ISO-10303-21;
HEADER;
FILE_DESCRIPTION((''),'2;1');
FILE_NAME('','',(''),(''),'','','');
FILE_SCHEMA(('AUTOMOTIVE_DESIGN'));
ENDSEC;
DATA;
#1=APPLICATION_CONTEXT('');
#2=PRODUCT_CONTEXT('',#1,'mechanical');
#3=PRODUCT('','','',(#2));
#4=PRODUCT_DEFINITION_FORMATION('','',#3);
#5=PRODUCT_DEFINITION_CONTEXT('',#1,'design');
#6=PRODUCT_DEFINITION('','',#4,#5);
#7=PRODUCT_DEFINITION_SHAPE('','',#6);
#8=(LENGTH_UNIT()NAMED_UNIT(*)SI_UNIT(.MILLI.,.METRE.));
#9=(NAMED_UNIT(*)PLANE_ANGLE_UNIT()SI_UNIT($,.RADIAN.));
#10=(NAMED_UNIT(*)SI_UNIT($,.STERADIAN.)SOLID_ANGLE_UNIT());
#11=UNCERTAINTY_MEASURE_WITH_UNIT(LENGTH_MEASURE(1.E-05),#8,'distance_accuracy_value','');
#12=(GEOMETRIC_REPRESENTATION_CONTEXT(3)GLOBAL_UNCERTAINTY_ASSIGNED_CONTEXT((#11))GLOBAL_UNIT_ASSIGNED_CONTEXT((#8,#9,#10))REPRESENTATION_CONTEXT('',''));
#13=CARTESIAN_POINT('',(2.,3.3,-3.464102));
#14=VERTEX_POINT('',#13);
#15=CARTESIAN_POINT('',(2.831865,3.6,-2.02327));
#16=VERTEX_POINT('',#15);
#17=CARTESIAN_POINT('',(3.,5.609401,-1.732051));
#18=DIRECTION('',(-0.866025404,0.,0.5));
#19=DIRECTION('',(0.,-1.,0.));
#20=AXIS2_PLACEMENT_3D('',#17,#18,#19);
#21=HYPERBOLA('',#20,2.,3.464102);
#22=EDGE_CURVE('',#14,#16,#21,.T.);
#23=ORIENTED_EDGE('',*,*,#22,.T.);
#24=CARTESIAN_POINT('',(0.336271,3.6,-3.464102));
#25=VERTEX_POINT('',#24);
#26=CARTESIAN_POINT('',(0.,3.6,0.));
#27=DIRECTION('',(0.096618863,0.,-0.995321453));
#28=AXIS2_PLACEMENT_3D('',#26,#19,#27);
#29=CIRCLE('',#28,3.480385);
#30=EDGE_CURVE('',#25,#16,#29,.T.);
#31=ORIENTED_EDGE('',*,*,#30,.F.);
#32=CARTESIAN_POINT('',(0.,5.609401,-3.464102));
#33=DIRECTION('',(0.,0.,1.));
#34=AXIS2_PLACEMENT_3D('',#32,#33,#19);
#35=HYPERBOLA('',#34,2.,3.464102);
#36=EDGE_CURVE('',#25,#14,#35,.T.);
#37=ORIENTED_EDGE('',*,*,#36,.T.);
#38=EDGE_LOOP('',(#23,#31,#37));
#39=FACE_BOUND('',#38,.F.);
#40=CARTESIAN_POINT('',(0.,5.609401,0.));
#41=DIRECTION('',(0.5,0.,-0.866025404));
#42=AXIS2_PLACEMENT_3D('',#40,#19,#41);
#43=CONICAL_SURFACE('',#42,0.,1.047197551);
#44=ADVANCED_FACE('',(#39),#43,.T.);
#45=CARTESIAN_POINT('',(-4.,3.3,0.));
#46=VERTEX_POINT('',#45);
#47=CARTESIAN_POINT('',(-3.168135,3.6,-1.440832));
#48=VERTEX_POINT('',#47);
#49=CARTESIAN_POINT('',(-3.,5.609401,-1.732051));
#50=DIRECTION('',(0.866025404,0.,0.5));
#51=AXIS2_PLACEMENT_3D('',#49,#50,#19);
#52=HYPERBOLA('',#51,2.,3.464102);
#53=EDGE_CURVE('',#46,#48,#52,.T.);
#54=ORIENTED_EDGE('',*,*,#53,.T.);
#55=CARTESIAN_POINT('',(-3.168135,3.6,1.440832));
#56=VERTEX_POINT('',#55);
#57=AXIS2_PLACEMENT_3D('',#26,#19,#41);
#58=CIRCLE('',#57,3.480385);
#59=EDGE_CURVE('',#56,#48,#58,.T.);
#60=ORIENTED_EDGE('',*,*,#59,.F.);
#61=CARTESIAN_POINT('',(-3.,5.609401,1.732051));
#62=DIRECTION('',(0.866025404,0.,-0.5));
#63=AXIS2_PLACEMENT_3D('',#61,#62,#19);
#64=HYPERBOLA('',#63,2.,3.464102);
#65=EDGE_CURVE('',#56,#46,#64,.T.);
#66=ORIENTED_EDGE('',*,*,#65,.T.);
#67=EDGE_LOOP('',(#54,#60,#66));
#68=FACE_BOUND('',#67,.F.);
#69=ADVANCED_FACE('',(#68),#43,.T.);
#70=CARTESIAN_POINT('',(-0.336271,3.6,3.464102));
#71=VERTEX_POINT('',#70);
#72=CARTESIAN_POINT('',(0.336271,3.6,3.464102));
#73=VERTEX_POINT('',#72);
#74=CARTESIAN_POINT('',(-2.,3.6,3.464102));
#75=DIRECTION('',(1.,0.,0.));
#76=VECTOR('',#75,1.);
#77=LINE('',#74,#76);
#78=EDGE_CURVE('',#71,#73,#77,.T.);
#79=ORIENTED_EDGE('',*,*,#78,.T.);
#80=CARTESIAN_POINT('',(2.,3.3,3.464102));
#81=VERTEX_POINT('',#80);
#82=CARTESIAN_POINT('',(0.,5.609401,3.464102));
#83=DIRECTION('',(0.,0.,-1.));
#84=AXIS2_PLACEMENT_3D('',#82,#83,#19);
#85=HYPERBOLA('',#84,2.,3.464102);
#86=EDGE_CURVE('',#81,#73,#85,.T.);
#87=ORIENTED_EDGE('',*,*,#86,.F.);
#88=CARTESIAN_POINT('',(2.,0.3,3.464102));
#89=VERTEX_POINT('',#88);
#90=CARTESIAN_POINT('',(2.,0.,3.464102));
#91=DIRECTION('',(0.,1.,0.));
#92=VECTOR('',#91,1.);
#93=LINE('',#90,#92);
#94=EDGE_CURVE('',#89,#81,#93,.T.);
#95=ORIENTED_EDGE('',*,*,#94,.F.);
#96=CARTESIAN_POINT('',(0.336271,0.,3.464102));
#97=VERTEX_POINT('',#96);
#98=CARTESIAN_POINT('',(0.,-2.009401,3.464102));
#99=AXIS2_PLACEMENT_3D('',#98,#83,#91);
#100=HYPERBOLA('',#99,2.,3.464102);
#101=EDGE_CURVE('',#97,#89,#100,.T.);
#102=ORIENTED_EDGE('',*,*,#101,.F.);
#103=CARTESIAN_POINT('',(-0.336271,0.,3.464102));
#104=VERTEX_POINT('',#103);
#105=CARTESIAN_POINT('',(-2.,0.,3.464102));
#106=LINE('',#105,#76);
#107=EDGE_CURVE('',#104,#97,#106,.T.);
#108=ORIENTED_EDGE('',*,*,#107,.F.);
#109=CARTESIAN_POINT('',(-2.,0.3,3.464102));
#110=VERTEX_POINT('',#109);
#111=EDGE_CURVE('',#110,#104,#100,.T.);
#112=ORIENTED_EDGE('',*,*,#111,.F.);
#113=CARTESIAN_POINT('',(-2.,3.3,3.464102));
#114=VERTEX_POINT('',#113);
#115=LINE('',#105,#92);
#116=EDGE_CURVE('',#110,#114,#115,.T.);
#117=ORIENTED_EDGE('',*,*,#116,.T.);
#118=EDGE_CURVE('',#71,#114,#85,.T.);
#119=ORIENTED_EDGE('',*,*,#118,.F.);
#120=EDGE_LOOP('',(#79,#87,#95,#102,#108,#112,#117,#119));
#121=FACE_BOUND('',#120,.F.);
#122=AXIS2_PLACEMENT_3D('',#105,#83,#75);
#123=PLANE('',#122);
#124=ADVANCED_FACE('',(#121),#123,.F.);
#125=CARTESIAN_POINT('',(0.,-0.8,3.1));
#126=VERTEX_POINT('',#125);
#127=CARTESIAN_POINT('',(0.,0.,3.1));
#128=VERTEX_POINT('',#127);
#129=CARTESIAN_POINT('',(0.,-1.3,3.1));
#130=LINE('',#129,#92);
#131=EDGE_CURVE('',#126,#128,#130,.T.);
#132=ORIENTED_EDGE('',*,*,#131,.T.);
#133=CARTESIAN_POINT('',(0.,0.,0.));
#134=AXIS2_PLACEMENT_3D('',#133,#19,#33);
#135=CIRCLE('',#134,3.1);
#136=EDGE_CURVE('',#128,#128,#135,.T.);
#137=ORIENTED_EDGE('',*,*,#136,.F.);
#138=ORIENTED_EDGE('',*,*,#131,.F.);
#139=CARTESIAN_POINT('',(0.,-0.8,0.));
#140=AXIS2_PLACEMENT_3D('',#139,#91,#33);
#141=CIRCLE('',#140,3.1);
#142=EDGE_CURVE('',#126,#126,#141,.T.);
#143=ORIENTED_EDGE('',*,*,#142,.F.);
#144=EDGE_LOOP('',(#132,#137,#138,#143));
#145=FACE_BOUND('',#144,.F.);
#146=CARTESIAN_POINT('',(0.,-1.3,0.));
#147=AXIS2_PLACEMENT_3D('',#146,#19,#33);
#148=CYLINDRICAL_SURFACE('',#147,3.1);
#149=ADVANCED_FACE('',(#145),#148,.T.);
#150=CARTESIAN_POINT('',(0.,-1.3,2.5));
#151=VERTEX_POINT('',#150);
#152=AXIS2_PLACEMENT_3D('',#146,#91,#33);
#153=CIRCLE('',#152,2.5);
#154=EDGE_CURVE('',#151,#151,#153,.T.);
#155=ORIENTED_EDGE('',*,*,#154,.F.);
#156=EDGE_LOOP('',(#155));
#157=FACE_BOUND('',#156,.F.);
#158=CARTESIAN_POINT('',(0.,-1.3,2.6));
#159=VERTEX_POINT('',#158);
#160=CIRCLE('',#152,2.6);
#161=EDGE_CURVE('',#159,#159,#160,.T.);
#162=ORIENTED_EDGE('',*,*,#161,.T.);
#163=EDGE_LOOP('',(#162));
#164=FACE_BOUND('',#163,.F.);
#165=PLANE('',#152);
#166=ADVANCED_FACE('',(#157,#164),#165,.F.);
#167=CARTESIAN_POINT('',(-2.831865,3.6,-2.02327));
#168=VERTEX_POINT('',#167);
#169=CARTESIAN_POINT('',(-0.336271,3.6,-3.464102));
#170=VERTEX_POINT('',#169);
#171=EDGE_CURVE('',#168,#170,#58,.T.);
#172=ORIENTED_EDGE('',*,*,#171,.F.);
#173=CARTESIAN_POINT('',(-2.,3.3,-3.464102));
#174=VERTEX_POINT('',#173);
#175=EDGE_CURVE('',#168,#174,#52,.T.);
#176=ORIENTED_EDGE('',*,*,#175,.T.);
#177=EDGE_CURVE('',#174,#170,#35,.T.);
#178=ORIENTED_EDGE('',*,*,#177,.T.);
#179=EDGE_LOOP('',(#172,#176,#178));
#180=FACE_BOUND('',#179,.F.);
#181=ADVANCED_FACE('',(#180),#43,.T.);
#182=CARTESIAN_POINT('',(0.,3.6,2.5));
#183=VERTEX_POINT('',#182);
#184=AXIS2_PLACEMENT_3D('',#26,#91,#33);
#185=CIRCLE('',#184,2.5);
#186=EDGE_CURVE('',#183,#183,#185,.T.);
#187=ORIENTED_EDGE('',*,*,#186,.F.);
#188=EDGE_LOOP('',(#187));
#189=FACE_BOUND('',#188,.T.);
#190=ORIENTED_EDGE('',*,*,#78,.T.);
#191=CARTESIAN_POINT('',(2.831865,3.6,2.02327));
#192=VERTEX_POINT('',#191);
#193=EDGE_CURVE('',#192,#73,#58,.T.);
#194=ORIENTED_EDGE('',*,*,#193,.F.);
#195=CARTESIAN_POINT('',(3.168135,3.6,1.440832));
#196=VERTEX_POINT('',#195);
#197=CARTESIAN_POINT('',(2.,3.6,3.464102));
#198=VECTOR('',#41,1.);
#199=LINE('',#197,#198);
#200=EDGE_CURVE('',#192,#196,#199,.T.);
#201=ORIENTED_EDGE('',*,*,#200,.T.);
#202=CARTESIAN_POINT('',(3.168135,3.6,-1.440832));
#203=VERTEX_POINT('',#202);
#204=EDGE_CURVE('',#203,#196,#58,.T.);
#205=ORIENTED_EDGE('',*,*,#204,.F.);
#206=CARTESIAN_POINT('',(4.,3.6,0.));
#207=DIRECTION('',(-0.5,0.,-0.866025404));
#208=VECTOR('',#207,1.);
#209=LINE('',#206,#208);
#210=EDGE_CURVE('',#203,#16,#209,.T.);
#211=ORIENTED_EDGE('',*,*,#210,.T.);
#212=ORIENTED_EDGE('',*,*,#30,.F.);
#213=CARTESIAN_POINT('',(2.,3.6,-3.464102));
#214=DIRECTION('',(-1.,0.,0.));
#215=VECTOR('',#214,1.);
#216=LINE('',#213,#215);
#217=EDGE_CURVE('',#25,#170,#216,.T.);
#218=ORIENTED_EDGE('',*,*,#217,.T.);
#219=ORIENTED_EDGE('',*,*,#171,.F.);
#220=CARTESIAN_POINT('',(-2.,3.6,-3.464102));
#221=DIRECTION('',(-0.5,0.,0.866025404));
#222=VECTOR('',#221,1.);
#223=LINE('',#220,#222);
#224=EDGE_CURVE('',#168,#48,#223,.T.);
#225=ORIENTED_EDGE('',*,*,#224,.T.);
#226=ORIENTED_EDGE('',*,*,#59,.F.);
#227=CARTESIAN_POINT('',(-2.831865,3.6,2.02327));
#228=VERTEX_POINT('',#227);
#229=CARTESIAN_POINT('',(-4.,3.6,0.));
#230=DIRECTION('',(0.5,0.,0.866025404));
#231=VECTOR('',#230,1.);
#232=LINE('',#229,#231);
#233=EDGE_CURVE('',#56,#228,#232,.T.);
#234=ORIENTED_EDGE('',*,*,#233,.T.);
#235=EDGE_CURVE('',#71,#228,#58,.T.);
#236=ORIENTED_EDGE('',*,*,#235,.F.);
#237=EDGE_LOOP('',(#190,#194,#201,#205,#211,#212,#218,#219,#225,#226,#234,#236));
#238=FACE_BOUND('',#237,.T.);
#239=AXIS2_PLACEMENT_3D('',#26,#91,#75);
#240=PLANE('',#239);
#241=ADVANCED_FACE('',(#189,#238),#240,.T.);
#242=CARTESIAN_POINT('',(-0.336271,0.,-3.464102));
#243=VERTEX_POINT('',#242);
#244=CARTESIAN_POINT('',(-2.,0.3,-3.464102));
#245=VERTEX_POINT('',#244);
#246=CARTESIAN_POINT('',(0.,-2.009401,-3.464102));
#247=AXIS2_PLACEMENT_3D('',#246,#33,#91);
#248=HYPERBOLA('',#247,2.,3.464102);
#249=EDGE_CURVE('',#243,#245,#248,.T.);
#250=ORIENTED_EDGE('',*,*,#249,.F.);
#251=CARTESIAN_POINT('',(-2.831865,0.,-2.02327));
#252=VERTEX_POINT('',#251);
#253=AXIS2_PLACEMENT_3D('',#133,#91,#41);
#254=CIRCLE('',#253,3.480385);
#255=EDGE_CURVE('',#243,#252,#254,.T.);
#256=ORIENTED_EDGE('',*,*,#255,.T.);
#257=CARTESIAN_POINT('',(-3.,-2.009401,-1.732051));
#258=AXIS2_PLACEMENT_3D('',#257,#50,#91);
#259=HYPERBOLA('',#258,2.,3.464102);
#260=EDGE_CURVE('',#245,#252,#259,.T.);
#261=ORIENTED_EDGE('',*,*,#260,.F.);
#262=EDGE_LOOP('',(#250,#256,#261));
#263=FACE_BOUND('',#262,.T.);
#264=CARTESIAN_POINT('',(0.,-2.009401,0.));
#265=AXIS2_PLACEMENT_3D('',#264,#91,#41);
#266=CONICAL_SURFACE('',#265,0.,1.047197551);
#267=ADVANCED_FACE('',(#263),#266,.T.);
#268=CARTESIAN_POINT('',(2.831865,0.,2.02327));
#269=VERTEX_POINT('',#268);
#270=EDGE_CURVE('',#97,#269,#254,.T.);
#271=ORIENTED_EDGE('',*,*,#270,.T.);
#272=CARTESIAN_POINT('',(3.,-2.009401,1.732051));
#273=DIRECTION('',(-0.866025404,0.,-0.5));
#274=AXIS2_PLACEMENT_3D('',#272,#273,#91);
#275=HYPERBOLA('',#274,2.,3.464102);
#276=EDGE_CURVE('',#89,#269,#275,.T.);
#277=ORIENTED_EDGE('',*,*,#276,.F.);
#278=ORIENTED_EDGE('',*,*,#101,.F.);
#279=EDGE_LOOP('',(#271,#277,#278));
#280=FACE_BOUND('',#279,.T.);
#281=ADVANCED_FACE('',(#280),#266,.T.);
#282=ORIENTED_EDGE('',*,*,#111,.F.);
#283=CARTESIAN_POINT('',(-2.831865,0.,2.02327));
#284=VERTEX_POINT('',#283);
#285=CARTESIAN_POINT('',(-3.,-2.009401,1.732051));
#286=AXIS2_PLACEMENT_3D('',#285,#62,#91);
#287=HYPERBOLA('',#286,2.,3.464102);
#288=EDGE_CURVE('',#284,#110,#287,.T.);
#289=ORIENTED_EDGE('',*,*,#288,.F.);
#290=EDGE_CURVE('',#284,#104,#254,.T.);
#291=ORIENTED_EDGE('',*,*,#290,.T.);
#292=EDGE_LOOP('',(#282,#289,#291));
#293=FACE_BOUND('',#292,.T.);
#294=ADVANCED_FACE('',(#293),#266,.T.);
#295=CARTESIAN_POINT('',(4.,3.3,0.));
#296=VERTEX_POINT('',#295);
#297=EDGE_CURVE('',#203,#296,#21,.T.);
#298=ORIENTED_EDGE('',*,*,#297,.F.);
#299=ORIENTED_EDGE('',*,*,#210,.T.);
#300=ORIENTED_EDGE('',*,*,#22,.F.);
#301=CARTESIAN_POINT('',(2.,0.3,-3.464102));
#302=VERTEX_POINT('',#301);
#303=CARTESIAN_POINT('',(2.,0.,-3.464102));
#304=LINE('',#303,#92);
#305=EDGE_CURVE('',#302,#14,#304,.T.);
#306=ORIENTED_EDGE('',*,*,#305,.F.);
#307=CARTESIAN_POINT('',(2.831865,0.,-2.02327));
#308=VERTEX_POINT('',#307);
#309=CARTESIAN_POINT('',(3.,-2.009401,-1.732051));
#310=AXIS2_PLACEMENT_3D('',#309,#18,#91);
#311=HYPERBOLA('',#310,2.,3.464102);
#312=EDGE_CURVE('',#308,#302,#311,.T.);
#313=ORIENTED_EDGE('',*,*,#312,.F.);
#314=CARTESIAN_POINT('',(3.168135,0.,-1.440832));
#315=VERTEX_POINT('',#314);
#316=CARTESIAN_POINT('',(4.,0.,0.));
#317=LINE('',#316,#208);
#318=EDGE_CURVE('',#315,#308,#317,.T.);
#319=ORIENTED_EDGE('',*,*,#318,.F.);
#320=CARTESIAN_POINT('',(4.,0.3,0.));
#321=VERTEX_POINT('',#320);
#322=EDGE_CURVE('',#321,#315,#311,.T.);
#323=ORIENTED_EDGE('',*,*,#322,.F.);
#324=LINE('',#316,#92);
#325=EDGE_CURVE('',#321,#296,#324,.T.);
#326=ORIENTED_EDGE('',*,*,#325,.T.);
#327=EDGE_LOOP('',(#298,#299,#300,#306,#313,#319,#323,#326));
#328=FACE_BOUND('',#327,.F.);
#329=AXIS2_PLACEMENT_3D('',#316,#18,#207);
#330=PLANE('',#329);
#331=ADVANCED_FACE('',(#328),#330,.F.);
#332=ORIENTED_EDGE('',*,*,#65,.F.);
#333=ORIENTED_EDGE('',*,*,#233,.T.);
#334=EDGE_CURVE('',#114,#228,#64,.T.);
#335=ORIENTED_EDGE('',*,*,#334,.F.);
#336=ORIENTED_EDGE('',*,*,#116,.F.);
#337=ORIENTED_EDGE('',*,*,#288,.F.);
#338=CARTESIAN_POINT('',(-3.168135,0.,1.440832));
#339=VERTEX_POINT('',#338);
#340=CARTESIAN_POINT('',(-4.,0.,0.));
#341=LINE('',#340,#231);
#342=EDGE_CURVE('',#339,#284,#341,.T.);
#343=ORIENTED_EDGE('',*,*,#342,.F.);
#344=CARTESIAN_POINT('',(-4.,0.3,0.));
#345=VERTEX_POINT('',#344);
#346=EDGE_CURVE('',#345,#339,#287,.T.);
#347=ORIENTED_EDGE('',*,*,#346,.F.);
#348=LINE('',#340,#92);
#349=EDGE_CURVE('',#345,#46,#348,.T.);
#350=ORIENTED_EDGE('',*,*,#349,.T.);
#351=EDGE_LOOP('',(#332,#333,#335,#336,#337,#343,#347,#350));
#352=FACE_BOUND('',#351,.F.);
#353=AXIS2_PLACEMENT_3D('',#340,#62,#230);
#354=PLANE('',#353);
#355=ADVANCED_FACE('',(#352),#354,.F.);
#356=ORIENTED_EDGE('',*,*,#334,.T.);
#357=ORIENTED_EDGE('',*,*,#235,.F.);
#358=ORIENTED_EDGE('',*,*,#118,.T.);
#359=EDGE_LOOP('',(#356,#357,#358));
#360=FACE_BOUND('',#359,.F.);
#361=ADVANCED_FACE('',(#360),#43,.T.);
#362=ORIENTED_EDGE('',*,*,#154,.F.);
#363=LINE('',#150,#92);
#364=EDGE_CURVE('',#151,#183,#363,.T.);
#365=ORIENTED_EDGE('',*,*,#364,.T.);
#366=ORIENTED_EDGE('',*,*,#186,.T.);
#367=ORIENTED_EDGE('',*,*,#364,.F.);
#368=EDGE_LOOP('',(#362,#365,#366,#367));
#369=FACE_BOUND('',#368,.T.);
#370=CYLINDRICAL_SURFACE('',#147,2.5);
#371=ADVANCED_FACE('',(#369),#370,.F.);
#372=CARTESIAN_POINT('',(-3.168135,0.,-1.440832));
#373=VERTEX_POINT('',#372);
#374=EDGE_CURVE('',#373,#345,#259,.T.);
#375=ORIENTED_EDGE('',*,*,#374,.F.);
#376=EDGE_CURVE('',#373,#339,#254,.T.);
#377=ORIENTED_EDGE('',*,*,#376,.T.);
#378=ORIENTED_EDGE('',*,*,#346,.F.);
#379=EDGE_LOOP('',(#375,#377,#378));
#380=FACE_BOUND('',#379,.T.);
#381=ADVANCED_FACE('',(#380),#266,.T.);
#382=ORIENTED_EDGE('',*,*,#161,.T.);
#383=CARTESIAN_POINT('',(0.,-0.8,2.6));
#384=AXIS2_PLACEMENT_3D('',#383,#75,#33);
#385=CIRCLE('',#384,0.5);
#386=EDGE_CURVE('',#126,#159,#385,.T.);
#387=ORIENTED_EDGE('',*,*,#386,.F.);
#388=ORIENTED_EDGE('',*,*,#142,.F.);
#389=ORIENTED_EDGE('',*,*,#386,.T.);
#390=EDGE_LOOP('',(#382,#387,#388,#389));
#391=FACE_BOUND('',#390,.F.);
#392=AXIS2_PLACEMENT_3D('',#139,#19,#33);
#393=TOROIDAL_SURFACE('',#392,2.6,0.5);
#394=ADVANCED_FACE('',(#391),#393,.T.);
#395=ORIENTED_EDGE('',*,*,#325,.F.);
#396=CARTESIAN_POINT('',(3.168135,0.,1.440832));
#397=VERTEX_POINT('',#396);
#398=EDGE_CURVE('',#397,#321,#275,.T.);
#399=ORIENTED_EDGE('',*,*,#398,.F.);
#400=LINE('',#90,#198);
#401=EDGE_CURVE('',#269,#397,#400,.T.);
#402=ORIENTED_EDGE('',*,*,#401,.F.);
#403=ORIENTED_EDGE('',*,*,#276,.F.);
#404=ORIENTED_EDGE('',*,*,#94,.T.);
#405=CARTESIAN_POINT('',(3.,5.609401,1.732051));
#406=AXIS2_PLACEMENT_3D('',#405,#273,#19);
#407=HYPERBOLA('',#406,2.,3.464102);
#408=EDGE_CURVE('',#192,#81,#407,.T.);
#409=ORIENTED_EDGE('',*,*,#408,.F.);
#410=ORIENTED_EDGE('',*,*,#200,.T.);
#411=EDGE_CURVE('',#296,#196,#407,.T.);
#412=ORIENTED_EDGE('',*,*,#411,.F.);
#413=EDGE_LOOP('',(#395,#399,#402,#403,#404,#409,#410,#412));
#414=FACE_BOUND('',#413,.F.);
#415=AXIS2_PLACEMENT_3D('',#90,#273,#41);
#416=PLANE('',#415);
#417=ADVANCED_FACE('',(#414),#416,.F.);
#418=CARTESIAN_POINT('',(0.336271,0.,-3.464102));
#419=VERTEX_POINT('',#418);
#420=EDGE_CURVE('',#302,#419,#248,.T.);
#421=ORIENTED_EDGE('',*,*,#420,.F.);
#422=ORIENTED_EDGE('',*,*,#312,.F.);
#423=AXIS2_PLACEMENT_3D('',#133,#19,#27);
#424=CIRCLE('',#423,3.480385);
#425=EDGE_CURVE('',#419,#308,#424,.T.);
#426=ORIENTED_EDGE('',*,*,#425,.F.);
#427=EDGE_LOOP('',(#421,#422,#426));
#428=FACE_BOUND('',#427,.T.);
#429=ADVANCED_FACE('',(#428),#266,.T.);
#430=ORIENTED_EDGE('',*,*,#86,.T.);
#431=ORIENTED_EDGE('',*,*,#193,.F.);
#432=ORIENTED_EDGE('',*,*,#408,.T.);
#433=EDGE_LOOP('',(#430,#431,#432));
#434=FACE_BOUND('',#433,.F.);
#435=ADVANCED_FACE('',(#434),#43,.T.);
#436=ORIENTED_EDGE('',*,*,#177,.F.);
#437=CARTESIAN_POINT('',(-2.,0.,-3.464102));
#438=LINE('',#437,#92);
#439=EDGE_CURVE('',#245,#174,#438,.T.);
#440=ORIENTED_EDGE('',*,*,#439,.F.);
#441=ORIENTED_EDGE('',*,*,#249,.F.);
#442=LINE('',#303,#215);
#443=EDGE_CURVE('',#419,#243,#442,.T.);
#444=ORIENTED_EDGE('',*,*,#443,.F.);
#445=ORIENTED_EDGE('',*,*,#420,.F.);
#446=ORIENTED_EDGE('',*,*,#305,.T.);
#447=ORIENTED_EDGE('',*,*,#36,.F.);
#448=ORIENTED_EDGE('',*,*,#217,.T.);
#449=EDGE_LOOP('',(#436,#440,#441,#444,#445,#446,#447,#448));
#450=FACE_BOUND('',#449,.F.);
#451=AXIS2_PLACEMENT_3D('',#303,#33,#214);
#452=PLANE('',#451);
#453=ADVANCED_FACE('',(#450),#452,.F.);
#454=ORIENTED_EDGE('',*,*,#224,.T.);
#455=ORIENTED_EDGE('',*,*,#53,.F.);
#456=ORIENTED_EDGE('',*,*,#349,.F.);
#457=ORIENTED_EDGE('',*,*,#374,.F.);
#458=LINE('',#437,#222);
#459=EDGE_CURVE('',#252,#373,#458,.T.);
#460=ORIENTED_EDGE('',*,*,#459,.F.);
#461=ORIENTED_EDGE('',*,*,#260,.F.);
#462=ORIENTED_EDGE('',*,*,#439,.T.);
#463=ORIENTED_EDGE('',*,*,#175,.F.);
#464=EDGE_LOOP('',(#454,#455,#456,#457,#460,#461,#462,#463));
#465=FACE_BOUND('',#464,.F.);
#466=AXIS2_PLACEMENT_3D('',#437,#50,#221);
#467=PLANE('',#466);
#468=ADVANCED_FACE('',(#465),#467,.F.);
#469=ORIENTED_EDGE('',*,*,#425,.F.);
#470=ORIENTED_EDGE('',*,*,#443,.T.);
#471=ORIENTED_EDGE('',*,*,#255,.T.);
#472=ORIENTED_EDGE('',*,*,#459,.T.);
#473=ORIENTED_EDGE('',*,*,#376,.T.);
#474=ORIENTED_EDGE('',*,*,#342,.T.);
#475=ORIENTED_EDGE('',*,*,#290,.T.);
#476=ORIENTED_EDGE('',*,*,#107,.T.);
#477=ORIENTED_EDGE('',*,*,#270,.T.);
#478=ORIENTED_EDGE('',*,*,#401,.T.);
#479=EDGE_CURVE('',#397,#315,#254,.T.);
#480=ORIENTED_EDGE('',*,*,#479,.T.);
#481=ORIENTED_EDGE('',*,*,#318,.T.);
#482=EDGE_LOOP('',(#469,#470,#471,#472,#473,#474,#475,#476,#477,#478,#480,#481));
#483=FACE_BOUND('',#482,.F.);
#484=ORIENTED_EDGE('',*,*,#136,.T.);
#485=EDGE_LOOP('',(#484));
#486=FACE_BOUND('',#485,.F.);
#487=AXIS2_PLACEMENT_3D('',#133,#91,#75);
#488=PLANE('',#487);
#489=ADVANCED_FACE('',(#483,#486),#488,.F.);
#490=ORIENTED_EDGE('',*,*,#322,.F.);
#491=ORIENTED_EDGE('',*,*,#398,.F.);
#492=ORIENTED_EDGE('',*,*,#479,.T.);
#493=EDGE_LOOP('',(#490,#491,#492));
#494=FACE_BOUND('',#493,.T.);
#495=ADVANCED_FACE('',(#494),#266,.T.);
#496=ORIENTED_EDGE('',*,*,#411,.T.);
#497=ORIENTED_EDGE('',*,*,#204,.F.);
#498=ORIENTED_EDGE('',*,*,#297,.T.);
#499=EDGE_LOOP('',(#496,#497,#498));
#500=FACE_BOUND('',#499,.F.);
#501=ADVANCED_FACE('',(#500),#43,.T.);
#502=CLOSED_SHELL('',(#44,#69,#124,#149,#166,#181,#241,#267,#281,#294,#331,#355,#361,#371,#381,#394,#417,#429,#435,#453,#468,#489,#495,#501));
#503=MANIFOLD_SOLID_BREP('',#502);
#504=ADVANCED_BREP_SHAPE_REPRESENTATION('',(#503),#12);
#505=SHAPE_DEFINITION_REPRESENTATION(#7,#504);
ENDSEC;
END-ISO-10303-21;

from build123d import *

# Parameters (mm, degrees)
SKETCH_1_R      = 2.5
EXTRUDE_1_DEPTH = 3.6
EXTRUDE_START   = -4.9
SKETCH_2_R      = 3.1
SKETCH_2_R_2    = 2.5
EXTRUDE_2_DEPTH = 4.9
FILLET_1_R      = 0.5


with BuildPart() as part:
    # 草图1 → 凸台-拉伸1 (new body)
    with BuildSketch(Plane(origin=(0, 0, 0), x_dir=(1, 0, 0), z_dir=(0, 1, 0))):
        Polygon((4, 0), (2, 3.464101615), (-2, 3.464101615), (-4, 0), (-2, -3.464101615), (2, -3.464101615), align=None)
        with Locations(Location((0, 0, 0), (0, 0, 270))):
            Circle(SKETCH_1_R, mode=Mode.SUBTRACT)
    extrude(amount=EXTRUDE_1_DEPTH)

    # 草图4 → 切除-旋转1 (revolve, cut)
    with BuildSketch(Plane(origin=(0, 0, 0), x_dir=(-0.49999999999999806, 0, 0.8660254037844398), z_dir=(-0.8660254037844397, 0, -0.499999999999998))):
        Polygon((0, 5.609401077), (-4, 3.3), (-4, 5.663718026), (-4, 6.109401077), (0, 6.109401077), align=None)
        Polygon((0, -2.509401077), (0, -2.009401077), (-4, 0.3), (-4, -2.063718026), (-4, -2.509401077), align=None)
    revolve(axis=Axis((0, 6.109401077, 0), (0, 1, 0)), mode=Mode.SUBTRACT)

    # 草图2 → 凸台-拉伸2 (add)
    with BuildSketch(Plane(origin=(0, 3.6, 0), x_dir=(1, 0, 0), z_dir=(0, 1, 0)).offset(EXTRUDE_START)):
        with Locations(Location((0, 0, 0), (0, 0, 270))):
            Circle(SKETCH_2_R)
        with Locations(Location((0, 0, 0), (0, 0, 270))):
            Circle(SKETCH_2_R_2, mode=Mode.SUBTRACT)
    extrude(amount=EXTRUDE_2_DEPTH)

    # 圆角1
    fillet_1_edges = [part.edges().sort_by_distance(p)[0] for p in [
        (0, -1.3, -3.1),
    ]]
    fillet(fillet_1_edges, radius=FILLET_1_R)


solid = part.part
